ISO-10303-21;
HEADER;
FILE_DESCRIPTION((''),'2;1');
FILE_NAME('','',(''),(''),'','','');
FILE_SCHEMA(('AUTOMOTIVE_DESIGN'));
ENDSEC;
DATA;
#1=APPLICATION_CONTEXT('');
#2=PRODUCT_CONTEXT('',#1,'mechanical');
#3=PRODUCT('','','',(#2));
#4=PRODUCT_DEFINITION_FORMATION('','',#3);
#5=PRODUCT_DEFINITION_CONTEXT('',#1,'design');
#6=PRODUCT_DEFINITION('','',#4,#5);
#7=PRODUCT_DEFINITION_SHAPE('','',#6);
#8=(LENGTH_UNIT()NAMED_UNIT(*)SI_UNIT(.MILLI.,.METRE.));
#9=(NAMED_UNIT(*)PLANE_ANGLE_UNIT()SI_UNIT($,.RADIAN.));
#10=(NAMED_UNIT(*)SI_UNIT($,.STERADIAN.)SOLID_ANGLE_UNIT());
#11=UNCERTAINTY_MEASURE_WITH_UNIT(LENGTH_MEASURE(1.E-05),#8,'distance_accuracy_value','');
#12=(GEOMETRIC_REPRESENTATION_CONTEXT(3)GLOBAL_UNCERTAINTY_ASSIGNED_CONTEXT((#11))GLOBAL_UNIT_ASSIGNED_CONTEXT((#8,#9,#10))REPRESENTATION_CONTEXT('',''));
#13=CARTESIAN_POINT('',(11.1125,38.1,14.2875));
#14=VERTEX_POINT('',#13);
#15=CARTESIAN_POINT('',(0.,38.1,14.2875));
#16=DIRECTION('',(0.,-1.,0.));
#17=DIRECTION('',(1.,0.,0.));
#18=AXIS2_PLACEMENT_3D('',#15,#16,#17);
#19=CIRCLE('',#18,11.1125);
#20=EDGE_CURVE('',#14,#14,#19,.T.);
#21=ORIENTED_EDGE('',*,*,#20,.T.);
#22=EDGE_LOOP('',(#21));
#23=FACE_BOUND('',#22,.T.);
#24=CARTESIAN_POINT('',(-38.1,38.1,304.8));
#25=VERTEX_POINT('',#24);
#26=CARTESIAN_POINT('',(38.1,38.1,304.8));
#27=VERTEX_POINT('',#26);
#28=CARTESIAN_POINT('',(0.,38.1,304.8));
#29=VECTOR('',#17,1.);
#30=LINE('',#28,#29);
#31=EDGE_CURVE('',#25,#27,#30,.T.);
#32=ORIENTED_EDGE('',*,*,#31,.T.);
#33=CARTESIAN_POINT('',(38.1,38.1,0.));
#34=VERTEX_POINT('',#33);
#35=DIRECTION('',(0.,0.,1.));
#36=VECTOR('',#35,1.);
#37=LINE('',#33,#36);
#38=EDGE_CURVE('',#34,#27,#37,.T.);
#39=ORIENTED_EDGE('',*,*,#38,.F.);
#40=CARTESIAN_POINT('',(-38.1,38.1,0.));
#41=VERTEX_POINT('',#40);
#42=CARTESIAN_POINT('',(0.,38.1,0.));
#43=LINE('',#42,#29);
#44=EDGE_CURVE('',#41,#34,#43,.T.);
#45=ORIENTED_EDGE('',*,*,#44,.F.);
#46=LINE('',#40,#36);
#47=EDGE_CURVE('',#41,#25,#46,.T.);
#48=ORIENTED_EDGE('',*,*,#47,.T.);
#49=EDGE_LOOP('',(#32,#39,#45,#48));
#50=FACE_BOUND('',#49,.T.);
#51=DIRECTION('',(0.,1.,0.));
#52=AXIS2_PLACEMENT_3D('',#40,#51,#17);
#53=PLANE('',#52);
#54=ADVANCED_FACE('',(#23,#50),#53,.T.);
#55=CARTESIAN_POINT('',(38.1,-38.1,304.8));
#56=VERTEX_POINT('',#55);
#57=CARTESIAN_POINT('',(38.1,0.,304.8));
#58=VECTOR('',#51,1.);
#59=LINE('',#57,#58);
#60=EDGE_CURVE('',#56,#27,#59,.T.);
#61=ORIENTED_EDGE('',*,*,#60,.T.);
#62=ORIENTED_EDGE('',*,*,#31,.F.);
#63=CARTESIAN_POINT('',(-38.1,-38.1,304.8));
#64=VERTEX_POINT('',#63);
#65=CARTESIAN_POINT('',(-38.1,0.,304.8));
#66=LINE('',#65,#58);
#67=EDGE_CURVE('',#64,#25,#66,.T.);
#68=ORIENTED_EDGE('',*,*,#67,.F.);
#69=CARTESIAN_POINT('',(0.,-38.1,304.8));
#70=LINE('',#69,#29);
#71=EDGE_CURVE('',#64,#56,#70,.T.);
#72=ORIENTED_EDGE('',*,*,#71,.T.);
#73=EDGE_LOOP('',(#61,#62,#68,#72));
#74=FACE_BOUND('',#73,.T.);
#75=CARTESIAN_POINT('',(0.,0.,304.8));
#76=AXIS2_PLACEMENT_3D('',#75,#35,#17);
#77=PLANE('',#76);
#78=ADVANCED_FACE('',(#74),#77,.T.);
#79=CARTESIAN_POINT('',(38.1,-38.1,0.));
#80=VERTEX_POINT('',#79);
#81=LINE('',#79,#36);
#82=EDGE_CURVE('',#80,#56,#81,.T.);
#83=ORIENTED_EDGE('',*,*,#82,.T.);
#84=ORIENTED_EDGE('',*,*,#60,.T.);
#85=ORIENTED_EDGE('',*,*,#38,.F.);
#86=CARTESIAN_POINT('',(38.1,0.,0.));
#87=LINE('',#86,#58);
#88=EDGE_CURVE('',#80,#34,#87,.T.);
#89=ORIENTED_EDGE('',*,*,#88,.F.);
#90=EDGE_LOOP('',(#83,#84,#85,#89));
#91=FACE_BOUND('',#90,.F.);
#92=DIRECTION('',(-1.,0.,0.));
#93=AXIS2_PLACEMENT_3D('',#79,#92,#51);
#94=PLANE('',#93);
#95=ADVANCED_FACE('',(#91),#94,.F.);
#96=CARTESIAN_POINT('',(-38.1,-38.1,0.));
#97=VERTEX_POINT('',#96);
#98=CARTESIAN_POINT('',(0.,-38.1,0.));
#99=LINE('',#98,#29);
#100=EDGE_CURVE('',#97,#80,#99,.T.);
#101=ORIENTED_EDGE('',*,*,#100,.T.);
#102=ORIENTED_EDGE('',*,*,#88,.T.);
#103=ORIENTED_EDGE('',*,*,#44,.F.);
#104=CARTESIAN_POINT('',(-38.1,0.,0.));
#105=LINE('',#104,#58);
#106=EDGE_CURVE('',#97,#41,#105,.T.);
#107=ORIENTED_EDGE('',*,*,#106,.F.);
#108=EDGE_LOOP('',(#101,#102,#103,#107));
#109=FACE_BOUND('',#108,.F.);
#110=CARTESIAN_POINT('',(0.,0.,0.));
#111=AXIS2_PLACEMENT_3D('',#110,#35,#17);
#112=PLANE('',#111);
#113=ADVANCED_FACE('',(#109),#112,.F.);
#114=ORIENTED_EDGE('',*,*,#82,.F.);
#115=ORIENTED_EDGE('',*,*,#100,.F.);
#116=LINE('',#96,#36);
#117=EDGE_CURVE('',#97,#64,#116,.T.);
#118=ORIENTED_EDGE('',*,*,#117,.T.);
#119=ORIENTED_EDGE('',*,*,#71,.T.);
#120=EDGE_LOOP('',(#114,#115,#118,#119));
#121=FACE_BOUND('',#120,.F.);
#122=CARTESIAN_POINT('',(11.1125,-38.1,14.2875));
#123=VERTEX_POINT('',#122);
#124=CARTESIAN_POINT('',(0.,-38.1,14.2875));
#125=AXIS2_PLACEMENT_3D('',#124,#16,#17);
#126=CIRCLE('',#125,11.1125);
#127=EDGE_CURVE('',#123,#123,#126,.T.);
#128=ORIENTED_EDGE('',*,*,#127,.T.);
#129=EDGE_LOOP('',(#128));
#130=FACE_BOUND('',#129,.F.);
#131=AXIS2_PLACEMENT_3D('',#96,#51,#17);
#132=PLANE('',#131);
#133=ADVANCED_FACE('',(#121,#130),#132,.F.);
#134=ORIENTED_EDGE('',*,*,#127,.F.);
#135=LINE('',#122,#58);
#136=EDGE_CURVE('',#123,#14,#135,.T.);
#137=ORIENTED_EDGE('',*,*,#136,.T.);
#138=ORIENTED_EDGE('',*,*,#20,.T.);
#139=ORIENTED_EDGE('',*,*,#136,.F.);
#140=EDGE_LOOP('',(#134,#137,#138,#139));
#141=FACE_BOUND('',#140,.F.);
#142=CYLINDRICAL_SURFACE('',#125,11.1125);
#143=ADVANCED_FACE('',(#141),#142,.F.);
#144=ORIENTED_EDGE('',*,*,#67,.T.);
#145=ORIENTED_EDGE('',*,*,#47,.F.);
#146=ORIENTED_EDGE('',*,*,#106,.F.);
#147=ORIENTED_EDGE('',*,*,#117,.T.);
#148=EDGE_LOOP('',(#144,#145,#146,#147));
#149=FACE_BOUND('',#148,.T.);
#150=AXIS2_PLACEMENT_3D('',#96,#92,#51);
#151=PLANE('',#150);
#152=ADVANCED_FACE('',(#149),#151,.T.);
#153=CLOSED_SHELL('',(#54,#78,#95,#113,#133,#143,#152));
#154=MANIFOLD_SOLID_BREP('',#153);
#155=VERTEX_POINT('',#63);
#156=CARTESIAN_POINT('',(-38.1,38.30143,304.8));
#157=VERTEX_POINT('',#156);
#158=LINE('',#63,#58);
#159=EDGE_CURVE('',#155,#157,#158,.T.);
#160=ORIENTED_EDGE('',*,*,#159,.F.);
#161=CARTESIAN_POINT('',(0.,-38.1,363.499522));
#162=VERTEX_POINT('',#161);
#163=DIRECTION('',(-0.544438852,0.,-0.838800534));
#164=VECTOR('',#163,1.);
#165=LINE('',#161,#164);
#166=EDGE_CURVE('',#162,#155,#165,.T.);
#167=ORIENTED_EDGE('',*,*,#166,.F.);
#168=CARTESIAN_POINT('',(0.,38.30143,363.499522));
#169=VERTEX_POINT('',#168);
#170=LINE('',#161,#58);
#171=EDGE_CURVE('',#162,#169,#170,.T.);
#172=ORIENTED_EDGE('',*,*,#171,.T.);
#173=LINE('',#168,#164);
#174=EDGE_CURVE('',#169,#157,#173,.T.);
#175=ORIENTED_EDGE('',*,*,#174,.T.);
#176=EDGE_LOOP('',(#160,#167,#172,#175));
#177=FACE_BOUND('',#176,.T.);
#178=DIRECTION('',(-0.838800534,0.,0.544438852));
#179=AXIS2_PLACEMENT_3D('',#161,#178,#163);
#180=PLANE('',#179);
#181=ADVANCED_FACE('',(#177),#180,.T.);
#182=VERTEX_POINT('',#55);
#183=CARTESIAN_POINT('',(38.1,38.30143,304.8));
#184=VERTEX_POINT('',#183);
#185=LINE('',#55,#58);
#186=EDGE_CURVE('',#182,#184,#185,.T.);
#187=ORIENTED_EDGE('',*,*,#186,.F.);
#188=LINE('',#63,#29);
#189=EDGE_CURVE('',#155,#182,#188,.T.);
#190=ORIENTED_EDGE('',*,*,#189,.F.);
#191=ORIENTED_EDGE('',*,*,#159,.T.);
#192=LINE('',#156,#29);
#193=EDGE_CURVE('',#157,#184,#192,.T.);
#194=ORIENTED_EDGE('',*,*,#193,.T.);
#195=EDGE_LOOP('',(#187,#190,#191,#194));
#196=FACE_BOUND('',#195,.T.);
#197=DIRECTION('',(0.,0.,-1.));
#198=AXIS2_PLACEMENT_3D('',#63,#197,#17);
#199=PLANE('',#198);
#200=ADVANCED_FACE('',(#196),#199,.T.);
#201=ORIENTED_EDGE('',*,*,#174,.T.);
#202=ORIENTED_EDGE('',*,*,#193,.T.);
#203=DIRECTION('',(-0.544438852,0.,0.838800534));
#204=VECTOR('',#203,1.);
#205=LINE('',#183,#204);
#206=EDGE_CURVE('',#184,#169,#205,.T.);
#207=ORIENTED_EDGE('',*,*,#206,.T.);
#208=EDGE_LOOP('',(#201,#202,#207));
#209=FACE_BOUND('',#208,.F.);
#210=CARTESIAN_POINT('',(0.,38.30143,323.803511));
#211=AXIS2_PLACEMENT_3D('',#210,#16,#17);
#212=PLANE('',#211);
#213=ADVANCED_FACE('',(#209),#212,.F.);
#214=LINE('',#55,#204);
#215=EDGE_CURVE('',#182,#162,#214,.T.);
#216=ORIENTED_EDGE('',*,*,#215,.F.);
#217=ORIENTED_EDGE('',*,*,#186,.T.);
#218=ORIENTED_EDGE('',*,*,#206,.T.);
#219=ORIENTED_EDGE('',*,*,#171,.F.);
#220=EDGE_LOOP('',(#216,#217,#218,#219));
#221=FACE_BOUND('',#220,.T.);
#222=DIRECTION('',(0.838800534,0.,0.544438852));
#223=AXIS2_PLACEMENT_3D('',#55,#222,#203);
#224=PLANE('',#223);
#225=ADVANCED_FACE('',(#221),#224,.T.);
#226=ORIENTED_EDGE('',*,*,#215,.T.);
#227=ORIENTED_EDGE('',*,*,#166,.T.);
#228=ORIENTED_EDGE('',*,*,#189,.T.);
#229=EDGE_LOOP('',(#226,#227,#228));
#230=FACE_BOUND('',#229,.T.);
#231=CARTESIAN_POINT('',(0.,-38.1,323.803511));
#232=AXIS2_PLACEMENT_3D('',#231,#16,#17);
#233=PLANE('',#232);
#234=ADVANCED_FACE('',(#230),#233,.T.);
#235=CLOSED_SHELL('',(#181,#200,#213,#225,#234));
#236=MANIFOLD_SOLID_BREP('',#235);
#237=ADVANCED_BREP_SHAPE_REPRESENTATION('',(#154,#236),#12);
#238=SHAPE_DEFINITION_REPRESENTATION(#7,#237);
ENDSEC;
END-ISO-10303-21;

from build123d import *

# Parameters (mm, degrees)
F0_W     = 76.2
F0_H     = 76.2
F1_DEPTH = 304.8
F3_DEPTH = 76.40143
F4_R     = 11.1125
F5_DEPTH = 286.60755


with BuildPart() as f1:
    # F0 (on Top) → F1 (new body)
    with BuildSketch(Plane.XY):
        Rectangle(F0_W, F0_H)
    extrude(amount=F1_DEPTH)

    # F4 (on face) → F5 (cut)
    with BuildSketch(Plane.XZ.offset(38.1)):
        with Locations((0, 14.2875)):
            Circle(F4_R)
    extrude(amount=-F5_DEPTH, mode=Mode.SUBTRACT)


with BuildPart() as f3:
    # F2 (on face) → F3 (new body)
    with BuildSketch(Plane.XZ.offset(38.1)):
        Polygon((0, 363.499522), (-38.1, 304.8), (38.1, 304.8), align=None)
    extrude(amount=-F3_DEPTH)


solid = Compound([f1.part, f3.part])
